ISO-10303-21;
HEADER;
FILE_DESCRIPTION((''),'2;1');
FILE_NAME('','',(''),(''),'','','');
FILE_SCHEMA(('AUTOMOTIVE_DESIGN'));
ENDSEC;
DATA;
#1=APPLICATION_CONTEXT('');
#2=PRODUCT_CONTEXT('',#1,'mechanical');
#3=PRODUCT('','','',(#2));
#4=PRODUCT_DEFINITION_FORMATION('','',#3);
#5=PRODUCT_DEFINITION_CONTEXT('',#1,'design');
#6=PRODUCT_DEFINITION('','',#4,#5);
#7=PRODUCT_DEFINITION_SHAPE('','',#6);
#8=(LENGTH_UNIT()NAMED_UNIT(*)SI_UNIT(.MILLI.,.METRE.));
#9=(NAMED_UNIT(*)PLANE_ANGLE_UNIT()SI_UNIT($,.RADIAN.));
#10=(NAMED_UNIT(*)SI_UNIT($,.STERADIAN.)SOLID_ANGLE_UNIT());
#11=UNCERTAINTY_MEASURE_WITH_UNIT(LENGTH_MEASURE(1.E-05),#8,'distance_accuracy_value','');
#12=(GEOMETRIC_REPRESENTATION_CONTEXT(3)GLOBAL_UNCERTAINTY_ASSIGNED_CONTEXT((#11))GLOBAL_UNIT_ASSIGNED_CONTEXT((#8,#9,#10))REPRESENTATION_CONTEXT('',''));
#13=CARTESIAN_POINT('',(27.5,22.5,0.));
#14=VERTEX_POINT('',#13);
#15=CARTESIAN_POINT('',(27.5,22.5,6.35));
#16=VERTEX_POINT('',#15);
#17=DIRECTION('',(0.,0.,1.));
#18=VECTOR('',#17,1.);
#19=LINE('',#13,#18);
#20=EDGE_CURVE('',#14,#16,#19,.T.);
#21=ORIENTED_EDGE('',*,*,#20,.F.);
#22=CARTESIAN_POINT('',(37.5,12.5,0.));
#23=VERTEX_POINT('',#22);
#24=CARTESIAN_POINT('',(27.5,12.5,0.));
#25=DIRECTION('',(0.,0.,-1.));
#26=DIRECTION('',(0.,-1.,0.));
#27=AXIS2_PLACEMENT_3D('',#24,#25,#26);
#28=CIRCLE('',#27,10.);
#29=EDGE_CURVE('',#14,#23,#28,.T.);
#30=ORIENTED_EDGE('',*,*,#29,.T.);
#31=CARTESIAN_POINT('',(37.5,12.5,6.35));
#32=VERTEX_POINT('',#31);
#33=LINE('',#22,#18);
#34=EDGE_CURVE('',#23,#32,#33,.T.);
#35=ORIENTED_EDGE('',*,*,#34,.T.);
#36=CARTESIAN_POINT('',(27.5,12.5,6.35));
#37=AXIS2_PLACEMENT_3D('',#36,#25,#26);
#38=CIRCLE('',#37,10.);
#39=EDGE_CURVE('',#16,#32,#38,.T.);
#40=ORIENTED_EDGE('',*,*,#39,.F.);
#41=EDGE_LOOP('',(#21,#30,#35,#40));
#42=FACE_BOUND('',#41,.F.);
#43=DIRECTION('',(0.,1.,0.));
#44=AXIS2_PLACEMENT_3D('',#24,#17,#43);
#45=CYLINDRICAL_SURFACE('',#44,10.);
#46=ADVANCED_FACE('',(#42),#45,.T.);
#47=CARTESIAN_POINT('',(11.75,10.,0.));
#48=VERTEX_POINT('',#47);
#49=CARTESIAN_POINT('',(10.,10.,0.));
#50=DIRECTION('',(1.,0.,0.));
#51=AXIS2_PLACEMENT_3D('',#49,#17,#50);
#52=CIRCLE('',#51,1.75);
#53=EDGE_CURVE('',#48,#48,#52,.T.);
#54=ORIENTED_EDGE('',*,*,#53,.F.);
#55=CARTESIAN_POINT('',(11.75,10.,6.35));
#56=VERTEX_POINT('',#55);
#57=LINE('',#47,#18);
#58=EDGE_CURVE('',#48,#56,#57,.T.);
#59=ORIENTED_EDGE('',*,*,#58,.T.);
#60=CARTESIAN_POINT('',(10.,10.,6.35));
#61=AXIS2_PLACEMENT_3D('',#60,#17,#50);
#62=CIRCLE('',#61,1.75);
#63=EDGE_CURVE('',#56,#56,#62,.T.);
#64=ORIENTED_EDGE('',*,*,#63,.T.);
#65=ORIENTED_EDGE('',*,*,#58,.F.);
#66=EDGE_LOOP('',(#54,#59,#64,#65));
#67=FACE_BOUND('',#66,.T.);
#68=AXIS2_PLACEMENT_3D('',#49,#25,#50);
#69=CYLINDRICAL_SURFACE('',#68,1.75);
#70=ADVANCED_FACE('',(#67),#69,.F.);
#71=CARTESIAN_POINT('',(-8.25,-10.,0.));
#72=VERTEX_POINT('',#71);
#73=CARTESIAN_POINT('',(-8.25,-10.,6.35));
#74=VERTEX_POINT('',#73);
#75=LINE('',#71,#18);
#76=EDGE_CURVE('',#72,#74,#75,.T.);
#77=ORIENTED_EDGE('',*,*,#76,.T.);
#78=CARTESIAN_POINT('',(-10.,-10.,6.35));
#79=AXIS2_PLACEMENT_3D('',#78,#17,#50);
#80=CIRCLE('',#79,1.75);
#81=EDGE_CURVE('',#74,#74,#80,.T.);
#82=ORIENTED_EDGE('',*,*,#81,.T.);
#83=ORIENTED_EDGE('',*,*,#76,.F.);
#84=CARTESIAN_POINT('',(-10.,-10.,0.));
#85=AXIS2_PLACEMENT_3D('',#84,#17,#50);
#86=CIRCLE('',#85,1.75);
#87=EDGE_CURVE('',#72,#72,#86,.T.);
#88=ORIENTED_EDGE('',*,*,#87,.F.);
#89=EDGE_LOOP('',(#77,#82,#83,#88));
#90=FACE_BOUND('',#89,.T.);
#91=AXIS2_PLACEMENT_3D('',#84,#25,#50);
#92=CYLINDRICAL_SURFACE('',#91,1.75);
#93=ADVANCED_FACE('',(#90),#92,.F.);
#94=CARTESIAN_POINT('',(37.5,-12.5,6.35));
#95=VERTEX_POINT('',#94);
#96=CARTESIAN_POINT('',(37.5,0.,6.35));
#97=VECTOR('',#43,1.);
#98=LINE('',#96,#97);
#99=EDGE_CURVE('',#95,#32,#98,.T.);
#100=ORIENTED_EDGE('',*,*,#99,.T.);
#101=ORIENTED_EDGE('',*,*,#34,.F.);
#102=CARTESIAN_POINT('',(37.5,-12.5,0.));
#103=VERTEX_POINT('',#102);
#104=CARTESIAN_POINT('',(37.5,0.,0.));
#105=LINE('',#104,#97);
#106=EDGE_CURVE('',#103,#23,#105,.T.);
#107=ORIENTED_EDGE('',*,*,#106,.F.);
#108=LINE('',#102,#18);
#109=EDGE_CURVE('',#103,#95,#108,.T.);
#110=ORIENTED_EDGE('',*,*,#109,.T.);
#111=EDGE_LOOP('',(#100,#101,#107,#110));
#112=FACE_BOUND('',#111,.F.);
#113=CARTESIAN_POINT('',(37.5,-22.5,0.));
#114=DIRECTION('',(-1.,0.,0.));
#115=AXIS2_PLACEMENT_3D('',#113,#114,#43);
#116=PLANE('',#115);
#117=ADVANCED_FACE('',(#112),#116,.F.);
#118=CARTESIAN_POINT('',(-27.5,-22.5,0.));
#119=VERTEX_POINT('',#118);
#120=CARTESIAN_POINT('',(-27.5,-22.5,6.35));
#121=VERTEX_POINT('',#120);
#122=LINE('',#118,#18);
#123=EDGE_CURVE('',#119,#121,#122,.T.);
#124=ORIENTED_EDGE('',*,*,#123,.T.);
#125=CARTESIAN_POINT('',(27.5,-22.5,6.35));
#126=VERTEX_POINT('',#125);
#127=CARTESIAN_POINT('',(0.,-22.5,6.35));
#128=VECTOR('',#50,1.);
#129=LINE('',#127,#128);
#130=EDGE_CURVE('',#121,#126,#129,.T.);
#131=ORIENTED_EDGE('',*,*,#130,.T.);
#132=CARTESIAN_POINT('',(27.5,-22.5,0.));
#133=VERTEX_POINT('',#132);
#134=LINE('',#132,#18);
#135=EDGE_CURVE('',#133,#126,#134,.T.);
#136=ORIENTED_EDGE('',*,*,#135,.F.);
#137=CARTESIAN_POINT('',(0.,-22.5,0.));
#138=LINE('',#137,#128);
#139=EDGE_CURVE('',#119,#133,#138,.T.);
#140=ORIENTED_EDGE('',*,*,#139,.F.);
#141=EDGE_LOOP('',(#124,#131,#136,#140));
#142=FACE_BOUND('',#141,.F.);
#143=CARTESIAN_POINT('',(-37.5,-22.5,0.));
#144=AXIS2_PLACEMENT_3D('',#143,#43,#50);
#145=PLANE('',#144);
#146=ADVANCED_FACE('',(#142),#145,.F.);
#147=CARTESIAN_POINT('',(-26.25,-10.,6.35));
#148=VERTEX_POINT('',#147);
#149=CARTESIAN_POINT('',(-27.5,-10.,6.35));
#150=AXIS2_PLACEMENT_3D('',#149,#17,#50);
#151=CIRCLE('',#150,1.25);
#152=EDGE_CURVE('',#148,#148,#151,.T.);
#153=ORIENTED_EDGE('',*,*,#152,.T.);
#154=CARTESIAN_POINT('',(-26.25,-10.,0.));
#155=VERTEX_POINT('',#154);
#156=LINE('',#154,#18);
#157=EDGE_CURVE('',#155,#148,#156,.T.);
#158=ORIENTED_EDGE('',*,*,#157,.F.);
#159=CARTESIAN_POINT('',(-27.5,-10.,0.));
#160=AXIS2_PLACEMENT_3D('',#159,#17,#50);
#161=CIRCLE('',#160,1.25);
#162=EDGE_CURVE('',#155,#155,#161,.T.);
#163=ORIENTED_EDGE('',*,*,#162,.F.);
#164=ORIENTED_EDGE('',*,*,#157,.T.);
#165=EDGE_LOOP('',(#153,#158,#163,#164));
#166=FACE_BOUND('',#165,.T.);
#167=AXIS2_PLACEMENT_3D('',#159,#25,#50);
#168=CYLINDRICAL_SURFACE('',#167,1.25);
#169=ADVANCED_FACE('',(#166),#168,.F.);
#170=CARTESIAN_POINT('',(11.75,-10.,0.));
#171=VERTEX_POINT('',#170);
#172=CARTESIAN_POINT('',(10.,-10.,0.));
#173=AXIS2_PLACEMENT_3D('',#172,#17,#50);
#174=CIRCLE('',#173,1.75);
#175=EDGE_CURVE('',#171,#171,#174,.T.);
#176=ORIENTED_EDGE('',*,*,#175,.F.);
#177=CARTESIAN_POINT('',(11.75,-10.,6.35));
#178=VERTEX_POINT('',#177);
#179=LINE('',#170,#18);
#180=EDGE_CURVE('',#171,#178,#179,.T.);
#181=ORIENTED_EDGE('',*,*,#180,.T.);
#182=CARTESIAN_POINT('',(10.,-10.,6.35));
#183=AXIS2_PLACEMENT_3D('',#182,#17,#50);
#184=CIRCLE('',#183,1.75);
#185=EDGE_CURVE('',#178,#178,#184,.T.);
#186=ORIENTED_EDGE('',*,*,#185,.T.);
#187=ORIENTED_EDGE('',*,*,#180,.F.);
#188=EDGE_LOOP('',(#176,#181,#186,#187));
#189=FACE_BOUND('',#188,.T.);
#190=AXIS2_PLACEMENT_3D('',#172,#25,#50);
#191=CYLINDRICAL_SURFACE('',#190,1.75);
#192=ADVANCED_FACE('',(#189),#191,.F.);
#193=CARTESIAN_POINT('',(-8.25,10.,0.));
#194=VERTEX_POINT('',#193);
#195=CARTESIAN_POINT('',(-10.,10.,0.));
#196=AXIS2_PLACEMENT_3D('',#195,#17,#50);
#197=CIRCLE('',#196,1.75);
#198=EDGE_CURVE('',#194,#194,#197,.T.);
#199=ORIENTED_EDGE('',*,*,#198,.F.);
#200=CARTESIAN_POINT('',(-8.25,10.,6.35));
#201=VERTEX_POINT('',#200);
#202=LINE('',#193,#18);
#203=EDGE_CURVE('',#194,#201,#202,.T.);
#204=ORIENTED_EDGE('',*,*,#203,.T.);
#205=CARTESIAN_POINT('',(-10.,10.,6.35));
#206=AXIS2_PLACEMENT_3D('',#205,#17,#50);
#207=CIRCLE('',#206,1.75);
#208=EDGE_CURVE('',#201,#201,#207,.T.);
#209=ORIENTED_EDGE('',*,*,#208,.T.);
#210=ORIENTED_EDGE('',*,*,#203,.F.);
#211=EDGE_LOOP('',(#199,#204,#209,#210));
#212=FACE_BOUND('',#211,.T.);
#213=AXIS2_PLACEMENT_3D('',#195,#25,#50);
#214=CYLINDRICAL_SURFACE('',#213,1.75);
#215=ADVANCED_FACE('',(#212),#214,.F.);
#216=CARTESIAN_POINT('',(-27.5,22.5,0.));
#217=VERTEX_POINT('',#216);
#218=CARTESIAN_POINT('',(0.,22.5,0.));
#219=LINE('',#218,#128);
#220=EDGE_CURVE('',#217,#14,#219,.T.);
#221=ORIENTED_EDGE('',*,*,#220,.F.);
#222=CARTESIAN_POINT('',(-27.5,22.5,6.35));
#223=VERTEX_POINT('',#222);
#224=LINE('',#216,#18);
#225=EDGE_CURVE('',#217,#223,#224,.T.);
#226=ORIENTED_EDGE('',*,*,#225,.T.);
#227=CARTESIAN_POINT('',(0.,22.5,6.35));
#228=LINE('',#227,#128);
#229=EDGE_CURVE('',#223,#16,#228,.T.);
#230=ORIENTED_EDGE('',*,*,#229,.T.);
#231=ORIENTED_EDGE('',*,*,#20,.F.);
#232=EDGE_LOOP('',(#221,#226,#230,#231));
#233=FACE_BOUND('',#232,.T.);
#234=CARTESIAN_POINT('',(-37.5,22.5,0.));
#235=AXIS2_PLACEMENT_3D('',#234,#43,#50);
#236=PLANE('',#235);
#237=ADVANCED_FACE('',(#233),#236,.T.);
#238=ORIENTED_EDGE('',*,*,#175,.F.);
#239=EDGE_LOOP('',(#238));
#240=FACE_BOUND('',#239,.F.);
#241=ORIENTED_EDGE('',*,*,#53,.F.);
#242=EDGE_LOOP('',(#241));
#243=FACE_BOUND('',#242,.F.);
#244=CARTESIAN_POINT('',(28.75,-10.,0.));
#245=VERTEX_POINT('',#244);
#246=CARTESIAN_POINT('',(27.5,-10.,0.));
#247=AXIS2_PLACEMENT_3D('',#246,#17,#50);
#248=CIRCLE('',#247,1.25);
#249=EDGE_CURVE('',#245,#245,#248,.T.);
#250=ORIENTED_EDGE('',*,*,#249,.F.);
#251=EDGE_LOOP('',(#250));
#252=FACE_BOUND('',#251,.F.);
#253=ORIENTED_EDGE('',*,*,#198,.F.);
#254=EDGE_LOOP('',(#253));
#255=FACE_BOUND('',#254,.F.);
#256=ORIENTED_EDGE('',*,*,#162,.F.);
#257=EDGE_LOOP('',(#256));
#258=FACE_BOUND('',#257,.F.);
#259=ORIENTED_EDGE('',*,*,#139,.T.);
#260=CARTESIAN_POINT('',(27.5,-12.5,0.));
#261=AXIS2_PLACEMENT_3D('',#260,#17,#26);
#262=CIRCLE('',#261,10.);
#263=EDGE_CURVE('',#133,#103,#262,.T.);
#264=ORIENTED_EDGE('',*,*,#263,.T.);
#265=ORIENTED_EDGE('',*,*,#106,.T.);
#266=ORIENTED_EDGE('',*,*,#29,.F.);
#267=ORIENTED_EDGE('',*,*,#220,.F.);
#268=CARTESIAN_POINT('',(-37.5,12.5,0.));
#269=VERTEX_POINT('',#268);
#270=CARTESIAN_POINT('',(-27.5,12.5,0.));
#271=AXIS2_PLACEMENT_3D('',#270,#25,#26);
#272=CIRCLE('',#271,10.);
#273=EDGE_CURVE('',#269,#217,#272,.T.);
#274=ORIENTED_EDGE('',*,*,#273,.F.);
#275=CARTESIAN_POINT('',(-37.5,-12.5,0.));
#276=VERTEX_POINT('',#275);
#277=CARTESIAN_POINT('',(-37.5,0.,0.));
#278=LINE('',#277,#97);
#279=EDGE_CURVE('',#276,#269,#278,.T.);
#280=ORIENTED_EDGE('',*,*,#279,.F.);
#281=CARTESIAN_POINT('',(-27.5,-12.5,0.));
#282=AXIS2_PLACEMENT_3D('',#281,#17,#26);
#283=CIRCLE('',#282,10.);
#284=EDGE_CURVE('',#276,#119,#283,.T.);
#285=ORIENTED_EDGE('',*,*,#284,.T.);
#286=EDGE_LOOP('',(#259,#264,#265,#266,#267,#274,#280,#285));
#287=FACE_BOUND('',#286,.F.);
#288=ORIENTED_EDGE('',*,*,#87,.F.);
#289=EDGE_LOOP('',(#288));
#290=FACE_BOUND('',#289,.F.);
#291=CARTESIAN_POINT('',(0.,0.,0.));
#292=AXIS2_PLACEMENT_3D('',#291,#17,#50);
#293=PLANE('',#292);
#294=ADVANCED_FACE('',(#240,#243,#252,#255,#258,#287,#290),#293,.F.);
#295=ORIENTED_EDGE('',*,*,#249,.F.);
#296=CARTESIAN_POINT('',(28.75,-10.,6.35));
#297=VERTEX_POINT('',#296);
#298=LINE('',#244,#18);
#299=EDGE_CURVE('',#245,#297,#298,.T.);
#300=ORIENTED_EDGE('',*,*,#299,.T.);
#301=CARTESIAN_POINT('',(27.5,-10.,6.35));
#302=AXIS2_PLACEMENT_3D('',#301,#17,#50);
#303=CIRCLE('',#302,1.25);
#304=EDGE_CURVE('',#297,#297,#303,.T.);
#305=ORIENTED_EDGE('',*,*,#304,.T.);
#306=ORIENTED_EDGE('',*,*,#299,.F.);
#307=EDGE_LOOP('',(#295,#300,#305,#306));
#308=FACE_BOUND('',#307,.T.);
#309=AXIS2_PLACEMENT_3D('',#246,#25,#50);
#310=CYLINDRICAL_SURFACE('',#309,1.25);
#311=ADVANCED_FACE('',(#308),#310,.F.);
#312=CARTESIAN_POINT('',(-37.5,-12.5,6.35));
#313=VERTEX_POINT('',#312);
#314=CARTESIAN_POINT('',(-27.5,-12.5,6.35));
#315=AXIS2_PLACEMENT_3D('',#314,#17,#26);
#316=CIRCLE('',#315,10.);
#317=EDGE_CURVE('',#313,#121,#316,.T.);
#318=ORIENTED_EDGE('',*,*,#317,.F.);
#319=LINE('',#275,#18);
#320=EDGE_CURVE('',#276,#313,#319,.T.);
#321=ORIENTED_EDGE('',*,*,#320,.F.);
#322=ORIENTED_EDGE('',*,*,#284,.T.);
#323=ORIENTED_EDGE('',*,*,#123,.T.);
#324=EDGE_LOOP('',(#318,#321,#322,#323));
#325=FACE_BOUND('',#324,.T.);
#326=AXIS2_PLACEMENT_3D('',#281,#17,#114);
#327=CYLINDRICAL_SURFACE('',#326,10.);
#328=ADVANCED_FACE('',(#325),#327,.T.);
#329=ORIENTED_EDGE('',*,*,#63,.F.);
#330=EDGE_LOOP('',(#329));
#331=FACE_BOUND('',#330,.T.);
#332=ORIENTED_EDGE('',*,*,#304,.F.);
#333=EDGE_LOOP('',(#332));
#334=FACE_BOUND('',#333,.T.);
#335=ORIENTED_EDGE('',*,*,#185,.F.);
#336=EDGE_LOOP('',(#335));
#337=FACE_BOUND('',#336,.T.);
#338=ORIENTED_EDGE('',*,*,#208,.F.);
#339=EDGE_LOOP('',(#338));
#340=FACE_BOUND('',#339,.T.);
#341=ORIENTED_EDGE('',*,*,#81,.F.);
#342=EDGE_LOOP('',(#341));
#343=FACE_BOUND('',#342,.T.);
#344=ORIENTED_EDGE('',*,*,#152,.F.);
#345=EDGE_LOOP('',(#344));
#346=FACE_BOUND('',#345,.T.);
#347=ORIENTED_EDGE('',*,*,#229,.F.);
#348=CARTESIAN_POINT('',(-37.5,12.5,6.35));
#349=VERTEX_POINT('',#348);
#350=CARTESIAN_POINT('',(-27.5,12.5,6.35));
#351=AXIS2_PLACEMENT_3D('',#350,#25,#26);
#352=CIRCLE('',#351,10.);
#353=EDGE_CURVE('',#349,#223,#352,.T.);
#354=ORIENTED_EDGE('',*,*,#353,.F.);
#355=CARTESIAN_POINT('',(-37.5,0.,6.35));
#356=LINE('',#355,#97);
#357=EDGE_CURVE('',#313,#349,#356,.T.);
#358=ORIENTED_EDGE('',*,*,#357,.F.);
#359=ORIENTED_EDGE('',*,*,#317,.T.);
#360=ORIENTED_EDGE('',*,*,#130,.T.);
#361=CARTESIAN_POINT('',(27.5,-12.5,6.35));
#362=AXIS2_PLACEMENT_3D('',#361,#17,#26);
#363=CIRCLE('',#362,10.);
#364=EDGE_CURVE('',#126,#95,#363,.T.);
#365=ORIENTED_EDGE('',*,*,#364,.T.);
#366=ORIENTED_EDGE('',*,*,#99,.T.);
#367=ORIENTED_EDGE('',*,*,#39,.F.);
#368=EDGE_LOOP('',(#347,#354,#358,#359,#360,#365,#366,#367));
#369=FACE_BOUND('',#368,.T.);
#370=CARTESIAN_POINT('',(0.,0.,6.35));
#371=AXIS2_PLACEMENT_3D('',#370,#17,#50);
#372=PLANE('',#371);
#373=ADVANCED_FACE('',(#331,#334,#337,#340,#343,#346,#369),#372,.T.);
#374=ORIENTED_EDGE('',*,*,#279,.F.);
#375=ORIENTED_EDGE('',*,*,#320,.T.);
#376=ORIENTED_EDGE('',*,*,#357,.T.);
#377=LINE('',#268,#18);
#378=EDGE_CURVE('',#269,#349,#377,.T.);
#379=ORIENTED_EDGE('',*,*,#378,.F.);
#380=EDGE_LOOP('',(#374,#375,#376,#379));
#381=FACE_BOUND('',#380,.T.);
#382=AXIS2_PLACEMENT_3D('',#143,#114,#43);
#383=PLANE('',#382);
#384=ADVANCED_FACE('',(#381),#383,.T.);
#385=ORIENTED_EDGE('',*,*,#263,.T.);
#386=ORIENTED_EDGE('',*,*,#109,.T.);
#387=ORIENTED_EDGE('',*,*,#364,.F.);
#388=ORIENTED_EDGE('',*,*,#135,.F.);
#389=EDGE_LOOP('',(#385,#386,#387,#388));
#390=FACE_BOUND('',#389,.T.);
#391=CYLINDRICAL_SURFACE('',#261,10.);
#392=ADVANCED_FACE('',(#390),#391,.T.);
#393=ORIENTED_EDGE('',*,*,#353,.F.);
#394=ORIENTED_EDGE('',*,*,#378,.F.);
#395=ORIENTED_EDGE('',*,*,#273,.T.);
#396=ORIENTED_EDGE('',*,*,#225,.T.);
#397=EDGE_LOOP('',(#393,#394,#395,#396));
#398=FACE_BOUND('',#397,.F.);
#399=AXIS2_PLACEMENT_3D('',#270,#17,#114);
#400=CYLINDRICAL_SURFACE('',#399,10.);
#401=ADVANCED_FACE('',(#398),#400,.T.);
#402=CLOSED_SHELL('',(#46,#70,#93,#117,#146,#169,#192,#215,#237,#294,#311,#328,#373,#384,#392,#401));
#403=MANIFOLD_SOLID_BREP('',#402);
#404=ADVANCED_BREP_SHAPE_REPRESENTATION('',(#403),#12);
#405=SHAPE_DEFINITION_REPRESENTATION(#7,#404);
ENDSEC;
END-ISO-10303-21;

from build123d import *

# Parameters (mm, degrees)
F0_W     = 75
F0_H     = 45
F0_R     = 1.25
F0_R_2   = 1.75
F1_DEPTH = 6.35
F2_R     = 10


with BuildPart() as f1:
    # F0 (on Top) → F1 (new body)
    with BuildSketch(Plane.XY):
        Rectangle(F0_W, F0_H)
        with Locations((-27.5, -10)):
            Circle(F0_R, mode=Mode.SUBTRACT)
        with Locations((-10, -10)):
            Circle(F0_R_2, mode=Mode.SUBTRACT)
        with Locations((10, -10)):
            Circle(F0_R_2, mode=Mode.SUBTRACT)
        with Locations((27.5, -10)):
            Circle(F0_R, mode=Mode.SUBTRACT)
        with Locations((-10, 10)):
            Circle(F0_R_2, mode=Mode.SUBTRACT)
        with Locations((10, 10)):
            Circle(F0_R_2, mode=Mode.SUBTRACT)
    extrude(amount=F1_DEPTH)

    # F2
    f2_edges = [f1.edges().sort_by_distance(p)[0] for p in [
        (-37.5, 22.5, 3.175),
        (37.5, 22.5, 3.175),
        (37.5, -22.5, 3.175),
        (-37.5, -22.5, 3.175),
    ]]
    fillet(f2_edges, radius=F2_R)


solid = f1.part
